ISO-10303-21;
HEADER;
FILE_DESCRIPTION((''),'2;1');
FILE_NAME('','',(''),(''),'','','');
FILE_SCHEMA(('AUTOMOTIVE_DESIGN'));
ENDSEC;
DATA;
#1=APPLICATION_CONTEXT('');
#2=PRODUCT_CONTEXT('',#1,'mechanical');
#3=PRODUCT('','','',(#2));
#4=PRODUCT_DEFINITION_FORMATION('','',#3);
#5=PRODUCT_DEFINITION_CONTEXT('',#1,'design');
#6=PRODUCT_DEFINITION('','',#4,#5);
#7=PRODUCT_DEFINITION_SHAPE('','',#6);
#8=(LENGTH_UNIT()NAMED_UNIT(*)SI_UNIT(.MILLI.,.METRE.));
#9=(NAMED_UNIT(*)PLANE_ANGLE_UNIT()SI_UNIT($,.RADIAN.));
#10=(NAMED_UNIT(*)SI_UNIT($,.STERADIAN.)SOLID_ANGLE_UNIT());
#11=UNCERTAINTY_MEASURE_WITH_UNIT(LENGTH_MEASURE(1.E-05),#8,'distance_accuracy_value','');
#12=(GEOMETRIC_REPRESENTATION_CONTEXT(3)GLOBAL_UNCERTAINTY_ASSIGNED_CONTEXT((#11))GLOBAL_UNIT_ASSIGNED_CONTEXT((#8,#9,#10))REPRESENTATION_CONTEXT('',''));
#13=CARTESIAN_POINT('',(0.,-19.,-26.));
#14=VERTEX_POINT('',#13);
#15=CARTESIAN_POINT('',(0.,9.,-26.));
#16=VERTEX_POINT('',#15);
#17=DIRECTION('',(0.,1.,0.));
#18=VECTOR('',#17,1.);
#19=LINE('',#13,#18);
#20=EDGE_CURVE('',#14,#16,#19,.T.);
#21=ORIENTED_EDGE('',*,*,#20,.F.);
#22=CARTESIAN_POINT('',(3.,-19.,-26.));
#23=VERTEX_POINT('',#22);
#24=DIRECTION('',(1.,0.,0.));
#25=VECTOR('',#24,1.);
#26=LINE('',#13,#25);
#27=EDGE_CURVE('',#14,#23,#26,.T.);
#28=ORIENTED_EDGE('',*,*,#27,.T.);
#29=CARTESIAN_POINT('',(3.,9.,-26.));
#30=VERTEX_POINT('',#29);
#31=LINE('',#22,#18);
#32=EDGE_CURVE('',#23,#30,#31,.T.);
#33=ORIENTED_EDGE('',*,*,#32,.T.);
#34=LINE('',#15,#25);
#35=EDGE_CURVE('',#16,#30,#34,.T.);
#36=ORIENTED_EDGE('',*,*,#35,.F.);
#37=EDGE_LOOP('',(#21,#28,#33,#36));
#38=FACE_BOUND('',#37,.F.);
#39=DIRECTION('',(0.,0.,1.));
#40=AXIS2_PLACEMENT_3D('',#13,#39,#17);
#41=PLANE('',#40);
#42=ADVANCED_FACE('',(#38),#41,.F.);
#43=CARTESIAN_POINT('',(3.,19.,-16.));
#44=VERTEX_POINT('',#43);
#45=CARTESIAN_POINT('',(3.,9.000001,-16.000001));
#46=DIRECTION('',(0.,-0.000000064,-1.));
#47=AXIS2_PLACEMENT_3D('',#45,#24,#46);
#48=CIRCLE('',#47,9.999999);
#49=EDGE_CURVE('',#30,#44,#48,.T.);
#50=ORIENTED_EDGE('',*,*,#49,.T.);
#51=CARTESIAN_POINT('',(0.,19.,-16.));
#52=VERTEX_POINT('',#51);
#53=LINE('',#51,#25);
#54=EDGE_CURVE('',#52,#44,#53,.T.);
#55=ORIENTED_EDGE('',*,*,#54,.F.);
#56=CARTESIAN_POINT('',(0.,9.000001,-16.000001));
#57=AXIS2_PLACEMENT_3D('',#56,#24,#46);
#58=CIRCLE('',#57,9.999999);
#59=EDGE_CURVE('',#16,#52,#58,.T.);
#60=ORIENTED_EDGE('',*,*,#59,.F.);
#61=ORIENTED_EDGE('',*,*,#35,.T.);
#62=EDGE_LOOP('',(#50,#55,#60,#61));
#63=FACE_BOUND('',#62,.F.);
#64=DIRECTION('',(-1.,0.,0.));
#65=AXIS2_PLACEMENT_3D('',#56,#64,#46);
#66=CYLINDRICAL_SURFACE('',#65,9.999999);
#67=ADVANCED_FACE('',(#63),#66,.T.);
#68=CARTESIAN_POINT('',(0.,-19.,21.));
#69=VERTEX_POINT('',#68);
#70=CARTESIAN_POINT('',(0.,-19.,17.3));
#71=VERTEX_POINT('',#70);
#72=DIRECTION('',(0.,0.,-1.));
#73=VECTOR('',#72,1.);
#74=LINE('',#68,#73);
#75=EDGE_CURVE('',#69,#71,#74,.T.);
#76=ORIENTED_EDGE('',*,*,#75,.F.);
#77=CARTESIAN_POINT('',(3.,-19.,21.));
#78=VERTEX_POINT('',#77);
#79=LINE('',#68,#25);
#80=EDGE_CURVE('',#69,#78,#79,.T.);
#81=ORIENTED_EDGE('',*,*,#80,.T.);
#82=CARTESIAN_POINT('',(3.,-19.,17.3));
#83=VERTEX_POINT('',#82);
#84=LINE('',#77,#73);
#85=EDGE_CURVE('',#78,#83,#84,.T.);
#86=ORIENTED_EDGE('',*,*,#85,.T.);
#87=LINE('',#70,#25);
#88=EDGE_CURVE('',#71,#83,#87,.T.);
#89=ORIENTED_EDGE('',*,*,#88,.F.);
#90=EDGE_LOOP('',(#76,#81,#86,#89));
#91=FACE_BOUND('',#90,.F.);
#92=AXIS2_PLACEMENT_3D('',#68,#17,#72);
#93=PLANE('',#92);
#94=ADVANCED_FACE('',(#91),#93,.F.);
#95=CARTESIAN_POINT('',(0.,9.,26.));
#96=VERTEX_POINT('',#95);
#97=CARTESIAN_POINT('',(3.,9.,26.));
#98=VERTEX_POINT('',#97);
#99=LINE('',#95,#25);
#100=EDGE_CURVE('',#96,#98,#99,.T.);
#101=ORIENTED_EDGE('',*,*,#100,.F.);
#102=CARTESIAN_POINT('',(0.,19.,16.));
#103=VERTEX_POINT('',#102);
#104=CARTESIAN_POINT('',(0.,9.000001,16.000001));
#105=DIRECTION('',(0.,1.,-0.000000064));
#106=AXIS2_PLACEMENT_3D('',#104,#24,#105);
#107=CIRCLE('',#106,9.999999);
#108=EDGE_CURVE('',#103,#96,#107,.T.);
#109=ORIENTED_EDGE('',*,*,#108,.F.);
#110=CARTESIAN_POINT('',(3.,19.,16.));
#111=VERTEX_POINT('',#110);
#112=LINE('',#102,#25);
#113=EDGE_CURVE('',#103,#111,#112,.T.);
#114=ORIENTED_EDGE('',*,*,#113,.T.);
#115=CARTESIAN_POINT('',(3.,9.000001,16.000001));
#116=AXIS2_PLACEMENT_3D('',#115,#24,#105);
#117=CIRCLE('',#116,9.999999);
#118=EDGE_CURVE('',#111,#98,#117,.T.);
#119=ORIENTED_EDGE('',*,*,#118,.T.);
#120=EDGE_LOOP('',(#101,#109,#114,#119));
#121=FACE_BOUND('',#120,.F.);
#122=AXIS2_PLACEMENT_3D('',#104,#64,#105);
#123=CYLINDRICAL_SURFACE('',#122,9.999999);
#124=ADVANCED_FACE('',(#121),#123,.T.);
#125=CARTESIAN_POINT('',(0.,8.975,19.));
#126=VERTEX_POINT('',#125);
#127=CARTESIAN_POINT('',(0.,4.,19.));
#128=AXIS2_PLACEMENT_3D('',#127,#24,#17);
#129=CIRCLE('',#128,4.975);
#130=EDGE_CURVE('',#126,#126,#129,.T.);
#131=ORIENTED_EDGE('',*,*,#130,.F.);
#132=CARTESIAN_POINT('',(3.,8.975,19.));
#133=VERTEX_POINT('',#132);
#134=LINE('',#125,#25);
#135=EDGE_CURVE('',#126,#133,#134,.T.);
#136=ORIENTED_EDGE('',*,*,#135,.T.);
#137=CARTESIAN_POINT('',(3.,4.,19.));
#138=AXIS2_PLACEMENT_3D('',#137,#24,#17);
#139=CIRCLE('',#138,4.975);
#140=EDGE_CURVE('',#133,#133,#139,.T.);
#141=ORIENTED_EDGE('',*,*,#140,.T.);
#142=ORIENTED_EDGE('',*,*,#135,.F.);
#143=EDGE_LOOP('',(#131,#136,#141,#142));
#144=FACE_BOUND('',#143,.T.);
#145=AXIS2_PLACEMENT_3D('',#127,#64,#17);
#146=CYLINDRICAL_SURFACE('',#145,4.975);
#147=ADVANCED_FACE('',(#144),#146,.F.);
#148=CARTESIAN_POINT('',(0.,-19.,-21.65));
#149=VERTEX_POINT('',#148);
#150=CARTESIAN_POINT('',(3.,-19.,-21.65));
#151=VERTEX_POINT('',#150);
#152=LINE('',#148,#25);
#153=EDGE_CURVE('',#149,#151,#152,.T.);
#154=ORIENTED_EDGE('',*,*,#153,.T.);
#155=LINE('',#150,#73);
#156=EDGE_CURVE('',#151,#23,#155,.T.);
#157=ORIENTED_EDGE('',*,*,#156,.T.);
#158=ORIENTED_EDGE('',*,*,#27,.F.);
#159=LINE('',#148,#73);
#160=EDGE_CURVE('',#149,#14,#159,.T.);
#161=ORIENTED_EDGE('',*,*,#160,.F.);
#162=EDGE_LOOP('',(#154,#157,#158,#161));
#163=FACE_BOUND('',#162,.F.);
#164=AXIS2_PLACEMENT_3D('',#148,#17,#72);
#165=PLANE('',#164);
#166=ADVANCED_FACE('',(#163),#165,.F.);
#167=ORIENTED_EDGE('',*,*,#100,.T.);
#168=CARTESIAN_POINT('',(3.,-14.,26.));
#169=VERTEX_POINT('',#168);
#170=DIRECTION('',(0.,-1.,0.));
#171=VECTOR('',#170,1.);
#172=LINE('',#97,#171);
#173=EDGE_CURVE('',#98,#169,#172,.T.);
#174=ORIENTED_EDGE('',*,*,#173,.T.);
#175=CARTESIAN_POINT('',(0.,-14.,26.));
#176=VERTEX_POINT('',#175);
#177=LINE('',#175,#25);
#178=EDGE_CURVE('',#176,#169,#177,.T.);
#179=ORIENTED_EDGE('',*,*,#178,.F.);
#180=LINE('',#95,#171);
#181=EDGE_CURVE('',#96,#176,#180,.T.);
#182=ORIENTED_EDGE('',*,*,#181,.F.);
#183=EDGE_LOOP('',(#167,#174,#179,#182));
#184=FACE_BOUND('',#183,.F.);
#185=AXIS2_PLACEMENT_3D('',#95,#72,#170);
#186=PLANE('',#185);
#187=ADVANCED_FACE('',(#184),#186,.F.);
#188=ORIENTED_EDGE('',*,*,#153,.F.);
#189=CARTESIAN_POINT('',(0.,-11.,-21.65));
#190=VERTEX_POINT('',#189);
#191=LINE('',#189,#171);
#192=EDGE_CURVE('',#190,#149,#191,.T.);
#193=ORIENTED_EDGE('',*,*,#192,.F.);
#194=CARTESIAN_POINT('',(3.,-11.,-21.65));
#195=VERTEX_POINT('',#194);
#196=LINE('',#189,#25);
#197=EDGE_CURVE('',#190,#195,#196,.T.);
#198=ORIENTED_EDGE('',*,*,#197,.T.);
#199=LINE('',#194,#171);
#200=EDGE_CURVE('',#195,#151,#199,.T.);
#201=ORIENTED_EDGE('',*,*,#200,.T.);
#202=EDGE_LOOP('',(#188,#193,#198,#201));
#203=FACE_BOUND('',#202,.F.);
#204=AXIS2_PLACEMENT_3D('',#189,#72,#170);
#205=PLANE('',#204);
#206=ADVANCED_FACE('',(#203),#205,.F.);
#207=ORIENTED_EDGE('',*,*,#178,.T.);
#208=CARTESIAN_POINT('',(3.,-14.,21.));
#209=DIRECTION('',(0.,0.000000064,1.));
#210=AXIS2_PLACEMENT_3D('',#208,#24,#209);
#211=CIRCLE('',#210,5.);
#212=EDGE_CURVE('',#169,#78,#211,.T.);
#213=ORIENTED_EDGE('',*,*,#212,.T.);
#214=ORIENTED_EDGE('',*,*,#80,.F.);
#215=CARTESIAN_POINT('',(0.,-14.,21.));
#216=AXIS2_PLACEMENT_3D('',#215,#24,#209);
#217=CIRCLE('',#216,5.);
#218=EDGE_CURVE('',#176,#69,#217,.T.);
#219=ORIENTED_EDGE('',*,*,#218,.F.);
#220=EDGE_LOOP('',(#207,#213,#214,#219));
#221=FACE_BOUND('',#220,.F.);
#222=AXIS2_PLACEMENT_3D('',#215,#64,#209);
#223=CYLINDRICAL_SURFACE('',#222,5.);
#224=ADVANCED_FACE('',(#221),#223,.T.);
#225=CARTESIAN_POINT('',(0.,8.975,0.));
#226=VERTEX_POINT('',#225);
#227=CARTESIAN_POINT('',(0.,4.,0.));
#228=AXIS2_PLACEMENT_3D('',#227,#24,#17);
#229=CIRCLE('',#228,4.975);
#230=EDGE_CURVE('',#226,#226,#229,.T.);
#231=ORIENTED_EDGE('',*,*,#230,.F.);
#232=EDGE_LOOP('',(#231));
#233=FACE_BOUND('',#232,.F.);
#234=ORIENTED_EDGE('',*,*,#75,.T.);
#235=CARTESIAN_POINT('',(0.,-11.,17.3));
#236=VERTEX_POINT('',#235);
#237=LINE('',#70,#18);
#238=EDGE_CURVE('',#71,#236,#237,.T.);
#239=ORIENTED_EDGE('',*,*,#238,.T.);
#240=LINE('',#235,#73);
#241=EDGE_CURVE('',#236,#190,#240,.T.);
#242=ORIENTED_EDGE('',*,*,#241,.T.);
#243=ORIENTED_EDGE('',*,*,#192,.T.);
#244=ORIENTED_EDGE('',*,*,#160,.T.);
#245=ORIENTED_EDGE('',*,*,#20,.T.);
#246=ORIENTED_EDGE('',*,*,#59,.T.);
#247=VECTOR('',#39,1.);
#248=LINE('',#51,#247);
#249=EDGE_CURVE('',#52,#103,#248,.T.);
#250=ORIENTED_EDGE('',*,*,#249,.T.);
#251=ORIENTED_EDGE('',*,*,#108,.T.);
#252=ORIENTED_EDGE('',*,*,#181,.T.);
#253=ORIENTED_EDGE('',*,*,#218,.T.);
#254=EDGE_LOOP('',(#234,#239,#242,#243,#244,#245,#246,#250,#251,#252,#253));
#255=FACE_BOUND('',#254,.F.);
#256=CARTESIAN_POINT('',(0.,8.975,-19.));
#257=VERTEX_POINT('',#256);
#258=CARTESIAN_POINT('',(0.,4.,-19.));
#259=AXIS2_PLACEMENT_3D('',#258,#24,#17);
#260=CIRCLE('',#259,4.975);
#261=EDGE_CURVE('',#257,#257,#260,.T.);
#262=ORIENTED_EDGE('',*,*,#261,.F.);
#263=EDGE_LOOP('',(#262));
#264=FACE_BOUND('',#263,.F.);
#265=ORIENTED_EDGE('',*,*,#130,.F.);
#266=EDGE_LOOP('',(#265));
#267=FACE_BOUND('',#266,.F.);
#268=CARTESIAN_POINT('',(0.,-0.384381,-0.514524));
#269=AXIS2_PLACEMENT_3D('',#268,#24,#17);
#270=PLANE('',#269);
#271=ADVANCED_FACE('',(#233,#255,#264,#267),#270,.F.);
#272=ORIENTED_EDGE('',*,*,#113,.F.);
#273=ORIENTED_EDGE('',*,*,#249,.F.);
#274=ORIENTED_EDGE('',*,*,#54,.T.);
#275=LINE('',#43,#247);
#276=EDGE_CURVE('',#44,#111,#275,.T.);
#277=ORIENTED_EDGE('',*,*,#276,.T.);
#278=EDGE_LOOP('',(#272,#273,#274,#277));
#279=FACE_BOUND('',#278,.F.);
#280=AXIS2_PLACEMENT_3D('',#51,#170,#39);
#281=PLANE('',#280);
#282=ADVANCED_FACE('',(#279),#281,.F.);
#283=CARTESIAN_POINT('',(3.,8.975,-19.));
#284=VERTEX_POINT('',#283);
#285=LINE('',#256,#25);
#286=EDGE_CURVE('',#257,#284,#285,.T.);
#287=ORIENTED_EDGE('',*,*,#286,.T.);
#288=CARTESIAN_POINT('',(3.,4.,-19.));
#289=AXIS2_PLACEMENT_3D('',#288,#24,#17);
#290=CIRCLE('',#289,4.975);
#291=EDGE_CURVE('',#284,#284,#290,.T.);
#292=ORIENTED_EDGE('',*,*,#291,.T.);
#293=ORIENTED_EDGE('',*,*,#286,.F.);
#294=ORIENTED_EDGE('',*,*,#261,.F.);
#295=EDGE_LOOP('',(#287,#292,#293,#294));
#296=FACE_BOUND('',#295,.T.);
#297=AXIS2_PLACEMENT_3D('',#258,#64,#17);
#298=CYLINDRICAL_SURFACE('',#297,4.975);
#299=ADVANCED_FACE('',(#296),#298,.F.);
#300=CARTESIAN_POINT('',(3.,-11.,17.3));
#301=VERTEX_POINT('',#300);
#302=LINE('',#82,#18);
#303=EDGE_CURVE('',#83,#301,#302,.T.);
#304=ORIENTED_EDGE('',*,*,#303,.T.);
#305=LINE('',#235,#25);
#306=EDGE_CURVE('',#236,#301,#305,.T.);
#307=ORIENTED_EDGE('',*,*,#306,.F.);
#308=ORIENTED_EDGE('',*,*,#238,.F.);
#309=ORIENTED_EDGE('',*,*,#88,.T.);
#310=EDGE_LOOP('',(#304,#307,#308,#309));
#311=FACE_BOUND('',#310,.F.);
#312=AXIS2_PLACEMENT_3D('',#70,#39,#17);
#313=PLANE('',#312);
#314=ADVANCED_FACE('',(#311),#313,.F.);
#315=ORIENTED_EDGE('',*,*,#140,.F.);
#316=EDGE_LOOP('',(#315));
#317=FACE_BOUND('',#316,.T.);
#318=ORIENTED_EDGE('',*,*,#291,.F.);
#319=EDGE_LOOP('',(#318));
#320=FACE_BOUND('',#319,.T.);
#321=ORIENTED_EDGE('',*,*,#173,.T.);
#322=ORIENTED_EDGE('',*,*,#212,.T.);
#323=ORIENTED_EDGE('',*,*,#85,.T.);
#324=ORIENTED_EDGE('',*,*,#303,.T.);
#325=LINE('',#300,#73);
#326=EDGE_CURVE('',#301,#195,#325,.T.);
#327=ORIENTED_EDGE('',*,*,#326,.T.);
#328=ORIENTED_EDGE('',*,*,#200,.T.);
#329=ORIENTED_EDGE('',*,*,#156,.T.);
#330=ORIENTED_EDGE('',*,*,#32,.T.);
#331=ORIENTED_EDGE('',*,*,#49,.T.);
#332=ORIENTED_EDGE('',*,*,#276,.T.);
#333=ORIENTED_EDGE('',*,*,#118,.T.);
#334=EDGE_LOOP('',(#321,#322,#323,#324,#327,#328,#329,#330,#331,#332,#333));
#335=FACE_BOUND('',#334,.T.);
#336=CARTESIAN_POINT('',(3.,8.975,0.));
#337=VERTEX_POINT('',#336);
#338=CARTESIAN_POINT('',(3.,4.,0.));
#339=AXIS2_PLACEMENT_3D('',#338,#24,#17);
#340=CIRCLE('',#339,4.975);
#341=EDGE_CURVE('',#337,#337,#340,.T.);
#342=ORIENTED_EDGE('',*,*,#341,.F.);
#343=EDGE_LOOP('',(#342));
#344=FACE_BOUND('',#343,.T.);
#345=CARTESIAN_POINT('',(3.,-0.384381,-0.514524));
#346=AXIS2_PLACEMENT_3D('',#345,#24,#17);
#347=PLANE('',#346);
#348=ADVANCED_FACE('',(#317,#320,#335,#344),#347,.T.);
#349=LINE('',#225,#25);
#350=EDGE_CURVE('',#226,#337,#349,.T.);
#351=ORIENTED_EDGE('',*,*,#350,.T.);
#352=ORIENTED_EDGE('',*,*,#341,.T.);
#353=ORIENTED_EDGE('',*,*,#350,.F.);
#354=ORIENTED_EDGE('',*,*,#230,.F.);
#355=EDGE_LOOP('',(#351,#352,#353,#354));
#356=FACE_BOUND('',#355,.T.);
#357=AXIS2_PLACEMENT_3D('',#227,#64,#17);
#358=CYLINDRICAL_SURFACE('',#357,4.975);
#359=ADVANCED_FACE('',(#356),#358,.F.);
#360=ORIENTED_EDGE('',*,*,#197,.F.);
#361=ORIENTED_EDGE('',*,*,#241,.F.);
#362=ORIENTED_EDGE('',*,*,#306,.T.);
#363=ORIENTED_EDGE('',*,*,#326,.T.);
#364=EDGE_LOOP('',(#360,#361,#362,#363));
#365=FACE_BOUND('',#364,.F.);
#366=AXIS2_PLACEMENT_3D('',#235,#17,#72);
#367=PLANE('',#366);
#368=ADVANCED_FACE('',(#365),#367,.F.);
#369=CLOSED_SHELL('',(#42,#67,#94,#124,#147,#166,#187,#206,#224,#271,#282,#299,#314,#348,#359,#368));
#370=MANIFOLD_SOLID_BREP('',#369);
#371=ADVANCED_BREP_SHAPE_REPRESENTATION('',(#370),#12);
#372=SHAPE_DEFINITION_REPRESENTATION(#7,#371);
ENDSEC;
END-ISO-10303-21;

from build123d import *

# Parameters (mm, degrees)
F0_R     = 4.975
F1_DEPTH = 3


with BuildPart() as f1:
    # F0 (on Right) → F1 (new body)
    with BuildSketch(Plane.YZ):
        with BuildLine():
            ThreePointArc((-14, 26), (-17.535534, 24.535534), (-19, 21))
            Line((-19, 21), (-19, 17.3))
            Line((-19, 17.3), (-11, 17.3))
            Line((-11, 17.3), (-11, -21.65))
            Line((-11, -21.65), (-19, -21.65))
            Line((-19, -21.65), (-19, -26))
            Line((-19, -26), (9, -26))
            ThreePointArc((9, -26), (16.071068, -23.071068), (19, -16))
            Line((19, -16), (19, 16))
            ThreePointArc((19, 16), (16.071068, 23.071068), (9, 26))
            Line((9, 26), (-14, 26))
        make_face()
        with Locations((4, -19)):
            Circle(F0_R, mode=Mode.SUBTRACT)
        with Locations((4, 0)):
            Circle(F0_R, mode=Mode.SUBTRACT)
        with Locations((4, 19)):
            Circle(F0_R, mode=Mode.SUBTRACT)
    extrude(amount=F1_DEPTH)


solid = f1.part
